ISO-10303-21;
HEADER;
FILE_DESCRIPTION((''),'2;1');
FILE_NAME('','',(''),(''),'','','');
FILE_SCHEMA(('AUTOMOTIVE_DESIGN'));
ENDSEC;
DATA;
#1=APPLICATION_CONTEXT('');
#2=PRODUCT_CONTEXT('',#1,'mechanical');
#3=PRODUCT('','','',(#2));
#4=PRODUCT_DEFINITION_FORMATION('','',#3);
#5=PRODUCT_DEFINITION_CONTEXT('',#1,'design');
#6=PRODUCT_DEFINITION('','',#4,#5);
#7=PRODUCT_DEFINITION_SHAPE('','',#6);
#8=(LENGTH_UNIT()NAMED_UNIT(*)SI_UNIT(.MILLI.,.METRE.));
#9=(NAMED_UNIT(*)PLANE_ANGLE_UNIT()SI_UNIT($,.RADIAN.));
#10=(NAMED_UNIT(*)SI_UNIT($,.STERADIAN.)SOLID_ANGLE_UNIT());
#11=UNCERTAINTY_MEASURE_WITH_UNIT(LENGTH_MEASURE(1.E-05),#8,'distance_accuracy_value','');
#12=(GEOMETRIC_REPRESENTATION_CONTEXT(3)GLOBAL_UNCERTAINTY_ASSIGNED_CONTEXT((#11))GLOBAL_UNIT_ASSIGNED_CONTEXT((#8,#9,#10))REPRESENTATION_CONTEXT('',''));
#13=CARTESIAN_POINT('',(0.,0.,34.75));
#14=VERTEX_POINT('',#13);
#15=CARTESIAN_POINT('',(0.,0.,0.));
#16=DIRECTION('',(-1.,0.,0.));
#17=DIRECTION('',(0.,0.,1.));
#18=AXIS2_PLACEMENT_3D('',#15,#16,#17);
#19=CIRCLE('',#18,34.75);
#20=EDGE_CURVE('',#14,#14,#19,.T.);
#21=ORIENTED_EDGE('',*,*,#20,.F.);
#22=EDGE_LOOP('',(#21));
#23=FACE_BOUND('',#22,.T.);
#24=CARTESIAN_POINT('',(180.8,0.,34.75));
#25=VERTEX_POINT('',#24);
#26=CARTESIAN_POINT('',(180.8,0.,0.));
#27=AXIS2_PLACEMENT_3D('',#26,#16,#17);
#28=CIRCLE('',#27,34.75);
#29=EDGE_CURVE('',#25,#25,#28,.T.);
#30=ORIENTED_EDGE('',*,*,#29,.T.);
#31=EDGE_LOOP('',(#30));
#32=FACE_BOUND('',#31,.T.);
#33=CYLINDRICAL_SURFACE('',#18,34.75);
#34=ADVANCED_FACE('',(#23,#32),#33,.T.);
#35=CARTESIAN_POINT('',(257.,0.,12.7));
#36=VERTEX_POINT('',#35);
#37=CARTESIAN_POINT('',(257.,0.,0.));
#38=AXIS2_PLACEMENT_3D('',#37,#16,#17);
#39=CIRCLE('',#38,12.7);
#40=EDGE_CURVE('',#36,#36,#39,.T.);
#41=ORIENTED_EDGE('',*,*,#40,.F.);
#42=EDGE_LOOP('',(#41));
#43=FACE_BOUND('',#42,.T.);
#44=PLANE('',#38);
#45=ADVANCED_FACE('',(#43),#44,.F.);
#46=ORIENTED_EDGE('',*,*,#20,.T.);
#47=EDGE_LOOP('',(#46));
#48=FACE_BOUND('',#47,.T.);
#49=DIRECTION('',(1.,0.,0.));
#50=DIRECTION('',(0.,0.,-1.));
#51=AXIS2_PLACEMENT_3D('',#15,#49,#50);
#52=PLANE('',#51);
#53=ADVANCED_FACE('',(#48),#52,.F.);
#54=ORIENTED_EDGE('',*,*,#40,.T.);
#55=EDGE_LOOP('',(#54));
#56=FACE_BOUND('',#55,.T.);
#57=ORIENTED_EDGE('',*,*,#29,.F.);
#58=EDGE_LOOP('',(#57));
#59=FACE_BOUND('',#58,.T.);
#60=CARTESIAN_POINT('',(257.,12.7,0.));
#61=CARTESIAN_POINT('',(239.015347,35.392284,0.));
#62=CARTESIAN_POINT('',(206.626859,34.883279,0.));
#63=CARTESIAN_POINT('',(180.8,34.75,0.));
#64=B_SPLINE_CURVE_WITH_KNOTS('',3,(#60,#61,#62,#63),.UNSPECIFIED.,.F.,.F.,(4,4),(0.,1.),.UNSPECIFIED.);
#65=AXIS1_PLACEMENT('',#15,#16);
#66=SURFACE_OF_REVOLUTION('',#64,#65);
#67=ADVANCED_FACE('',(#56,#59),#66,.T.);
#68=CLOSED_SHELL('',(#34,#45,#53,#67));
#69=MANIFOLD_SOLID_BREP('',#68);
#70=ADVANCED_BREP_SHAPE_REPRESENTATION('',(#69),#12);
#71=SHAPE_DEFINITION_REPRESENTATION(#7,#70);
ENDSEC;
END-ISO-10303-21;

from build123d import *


with BuildPart() as part:
    # Sketch1 → Revolve3 (revolve)
    with BuildSketch(Plane.XY, mode=Mode.PRIVATE) as revolve3_sk:
        with BuildLine():
            Line((0, 0), (0, 34.75))
            Line((0, 34.75), (180.8, 34.75))
            add(Edge.make_bspline(
                [(180.8, 34.75), (206.626858967, 34.88327905), (239.01534692, 35.392284316), (257, 12.7)],
                knots=[0, 0, 0, 0, 1, 1, 1, 1], degree=3))
            Line((257, 12.7), (257, 0))
            Line((257, 0), (0, 0))
        make_face()
    revolve(revolve3_sk.sketch.rotate(Axis((0, 0, 0), (1, 0, 0)), 90), axis=Axis((0, 0, 0), (1, 0, 0)))


solid = part.part
